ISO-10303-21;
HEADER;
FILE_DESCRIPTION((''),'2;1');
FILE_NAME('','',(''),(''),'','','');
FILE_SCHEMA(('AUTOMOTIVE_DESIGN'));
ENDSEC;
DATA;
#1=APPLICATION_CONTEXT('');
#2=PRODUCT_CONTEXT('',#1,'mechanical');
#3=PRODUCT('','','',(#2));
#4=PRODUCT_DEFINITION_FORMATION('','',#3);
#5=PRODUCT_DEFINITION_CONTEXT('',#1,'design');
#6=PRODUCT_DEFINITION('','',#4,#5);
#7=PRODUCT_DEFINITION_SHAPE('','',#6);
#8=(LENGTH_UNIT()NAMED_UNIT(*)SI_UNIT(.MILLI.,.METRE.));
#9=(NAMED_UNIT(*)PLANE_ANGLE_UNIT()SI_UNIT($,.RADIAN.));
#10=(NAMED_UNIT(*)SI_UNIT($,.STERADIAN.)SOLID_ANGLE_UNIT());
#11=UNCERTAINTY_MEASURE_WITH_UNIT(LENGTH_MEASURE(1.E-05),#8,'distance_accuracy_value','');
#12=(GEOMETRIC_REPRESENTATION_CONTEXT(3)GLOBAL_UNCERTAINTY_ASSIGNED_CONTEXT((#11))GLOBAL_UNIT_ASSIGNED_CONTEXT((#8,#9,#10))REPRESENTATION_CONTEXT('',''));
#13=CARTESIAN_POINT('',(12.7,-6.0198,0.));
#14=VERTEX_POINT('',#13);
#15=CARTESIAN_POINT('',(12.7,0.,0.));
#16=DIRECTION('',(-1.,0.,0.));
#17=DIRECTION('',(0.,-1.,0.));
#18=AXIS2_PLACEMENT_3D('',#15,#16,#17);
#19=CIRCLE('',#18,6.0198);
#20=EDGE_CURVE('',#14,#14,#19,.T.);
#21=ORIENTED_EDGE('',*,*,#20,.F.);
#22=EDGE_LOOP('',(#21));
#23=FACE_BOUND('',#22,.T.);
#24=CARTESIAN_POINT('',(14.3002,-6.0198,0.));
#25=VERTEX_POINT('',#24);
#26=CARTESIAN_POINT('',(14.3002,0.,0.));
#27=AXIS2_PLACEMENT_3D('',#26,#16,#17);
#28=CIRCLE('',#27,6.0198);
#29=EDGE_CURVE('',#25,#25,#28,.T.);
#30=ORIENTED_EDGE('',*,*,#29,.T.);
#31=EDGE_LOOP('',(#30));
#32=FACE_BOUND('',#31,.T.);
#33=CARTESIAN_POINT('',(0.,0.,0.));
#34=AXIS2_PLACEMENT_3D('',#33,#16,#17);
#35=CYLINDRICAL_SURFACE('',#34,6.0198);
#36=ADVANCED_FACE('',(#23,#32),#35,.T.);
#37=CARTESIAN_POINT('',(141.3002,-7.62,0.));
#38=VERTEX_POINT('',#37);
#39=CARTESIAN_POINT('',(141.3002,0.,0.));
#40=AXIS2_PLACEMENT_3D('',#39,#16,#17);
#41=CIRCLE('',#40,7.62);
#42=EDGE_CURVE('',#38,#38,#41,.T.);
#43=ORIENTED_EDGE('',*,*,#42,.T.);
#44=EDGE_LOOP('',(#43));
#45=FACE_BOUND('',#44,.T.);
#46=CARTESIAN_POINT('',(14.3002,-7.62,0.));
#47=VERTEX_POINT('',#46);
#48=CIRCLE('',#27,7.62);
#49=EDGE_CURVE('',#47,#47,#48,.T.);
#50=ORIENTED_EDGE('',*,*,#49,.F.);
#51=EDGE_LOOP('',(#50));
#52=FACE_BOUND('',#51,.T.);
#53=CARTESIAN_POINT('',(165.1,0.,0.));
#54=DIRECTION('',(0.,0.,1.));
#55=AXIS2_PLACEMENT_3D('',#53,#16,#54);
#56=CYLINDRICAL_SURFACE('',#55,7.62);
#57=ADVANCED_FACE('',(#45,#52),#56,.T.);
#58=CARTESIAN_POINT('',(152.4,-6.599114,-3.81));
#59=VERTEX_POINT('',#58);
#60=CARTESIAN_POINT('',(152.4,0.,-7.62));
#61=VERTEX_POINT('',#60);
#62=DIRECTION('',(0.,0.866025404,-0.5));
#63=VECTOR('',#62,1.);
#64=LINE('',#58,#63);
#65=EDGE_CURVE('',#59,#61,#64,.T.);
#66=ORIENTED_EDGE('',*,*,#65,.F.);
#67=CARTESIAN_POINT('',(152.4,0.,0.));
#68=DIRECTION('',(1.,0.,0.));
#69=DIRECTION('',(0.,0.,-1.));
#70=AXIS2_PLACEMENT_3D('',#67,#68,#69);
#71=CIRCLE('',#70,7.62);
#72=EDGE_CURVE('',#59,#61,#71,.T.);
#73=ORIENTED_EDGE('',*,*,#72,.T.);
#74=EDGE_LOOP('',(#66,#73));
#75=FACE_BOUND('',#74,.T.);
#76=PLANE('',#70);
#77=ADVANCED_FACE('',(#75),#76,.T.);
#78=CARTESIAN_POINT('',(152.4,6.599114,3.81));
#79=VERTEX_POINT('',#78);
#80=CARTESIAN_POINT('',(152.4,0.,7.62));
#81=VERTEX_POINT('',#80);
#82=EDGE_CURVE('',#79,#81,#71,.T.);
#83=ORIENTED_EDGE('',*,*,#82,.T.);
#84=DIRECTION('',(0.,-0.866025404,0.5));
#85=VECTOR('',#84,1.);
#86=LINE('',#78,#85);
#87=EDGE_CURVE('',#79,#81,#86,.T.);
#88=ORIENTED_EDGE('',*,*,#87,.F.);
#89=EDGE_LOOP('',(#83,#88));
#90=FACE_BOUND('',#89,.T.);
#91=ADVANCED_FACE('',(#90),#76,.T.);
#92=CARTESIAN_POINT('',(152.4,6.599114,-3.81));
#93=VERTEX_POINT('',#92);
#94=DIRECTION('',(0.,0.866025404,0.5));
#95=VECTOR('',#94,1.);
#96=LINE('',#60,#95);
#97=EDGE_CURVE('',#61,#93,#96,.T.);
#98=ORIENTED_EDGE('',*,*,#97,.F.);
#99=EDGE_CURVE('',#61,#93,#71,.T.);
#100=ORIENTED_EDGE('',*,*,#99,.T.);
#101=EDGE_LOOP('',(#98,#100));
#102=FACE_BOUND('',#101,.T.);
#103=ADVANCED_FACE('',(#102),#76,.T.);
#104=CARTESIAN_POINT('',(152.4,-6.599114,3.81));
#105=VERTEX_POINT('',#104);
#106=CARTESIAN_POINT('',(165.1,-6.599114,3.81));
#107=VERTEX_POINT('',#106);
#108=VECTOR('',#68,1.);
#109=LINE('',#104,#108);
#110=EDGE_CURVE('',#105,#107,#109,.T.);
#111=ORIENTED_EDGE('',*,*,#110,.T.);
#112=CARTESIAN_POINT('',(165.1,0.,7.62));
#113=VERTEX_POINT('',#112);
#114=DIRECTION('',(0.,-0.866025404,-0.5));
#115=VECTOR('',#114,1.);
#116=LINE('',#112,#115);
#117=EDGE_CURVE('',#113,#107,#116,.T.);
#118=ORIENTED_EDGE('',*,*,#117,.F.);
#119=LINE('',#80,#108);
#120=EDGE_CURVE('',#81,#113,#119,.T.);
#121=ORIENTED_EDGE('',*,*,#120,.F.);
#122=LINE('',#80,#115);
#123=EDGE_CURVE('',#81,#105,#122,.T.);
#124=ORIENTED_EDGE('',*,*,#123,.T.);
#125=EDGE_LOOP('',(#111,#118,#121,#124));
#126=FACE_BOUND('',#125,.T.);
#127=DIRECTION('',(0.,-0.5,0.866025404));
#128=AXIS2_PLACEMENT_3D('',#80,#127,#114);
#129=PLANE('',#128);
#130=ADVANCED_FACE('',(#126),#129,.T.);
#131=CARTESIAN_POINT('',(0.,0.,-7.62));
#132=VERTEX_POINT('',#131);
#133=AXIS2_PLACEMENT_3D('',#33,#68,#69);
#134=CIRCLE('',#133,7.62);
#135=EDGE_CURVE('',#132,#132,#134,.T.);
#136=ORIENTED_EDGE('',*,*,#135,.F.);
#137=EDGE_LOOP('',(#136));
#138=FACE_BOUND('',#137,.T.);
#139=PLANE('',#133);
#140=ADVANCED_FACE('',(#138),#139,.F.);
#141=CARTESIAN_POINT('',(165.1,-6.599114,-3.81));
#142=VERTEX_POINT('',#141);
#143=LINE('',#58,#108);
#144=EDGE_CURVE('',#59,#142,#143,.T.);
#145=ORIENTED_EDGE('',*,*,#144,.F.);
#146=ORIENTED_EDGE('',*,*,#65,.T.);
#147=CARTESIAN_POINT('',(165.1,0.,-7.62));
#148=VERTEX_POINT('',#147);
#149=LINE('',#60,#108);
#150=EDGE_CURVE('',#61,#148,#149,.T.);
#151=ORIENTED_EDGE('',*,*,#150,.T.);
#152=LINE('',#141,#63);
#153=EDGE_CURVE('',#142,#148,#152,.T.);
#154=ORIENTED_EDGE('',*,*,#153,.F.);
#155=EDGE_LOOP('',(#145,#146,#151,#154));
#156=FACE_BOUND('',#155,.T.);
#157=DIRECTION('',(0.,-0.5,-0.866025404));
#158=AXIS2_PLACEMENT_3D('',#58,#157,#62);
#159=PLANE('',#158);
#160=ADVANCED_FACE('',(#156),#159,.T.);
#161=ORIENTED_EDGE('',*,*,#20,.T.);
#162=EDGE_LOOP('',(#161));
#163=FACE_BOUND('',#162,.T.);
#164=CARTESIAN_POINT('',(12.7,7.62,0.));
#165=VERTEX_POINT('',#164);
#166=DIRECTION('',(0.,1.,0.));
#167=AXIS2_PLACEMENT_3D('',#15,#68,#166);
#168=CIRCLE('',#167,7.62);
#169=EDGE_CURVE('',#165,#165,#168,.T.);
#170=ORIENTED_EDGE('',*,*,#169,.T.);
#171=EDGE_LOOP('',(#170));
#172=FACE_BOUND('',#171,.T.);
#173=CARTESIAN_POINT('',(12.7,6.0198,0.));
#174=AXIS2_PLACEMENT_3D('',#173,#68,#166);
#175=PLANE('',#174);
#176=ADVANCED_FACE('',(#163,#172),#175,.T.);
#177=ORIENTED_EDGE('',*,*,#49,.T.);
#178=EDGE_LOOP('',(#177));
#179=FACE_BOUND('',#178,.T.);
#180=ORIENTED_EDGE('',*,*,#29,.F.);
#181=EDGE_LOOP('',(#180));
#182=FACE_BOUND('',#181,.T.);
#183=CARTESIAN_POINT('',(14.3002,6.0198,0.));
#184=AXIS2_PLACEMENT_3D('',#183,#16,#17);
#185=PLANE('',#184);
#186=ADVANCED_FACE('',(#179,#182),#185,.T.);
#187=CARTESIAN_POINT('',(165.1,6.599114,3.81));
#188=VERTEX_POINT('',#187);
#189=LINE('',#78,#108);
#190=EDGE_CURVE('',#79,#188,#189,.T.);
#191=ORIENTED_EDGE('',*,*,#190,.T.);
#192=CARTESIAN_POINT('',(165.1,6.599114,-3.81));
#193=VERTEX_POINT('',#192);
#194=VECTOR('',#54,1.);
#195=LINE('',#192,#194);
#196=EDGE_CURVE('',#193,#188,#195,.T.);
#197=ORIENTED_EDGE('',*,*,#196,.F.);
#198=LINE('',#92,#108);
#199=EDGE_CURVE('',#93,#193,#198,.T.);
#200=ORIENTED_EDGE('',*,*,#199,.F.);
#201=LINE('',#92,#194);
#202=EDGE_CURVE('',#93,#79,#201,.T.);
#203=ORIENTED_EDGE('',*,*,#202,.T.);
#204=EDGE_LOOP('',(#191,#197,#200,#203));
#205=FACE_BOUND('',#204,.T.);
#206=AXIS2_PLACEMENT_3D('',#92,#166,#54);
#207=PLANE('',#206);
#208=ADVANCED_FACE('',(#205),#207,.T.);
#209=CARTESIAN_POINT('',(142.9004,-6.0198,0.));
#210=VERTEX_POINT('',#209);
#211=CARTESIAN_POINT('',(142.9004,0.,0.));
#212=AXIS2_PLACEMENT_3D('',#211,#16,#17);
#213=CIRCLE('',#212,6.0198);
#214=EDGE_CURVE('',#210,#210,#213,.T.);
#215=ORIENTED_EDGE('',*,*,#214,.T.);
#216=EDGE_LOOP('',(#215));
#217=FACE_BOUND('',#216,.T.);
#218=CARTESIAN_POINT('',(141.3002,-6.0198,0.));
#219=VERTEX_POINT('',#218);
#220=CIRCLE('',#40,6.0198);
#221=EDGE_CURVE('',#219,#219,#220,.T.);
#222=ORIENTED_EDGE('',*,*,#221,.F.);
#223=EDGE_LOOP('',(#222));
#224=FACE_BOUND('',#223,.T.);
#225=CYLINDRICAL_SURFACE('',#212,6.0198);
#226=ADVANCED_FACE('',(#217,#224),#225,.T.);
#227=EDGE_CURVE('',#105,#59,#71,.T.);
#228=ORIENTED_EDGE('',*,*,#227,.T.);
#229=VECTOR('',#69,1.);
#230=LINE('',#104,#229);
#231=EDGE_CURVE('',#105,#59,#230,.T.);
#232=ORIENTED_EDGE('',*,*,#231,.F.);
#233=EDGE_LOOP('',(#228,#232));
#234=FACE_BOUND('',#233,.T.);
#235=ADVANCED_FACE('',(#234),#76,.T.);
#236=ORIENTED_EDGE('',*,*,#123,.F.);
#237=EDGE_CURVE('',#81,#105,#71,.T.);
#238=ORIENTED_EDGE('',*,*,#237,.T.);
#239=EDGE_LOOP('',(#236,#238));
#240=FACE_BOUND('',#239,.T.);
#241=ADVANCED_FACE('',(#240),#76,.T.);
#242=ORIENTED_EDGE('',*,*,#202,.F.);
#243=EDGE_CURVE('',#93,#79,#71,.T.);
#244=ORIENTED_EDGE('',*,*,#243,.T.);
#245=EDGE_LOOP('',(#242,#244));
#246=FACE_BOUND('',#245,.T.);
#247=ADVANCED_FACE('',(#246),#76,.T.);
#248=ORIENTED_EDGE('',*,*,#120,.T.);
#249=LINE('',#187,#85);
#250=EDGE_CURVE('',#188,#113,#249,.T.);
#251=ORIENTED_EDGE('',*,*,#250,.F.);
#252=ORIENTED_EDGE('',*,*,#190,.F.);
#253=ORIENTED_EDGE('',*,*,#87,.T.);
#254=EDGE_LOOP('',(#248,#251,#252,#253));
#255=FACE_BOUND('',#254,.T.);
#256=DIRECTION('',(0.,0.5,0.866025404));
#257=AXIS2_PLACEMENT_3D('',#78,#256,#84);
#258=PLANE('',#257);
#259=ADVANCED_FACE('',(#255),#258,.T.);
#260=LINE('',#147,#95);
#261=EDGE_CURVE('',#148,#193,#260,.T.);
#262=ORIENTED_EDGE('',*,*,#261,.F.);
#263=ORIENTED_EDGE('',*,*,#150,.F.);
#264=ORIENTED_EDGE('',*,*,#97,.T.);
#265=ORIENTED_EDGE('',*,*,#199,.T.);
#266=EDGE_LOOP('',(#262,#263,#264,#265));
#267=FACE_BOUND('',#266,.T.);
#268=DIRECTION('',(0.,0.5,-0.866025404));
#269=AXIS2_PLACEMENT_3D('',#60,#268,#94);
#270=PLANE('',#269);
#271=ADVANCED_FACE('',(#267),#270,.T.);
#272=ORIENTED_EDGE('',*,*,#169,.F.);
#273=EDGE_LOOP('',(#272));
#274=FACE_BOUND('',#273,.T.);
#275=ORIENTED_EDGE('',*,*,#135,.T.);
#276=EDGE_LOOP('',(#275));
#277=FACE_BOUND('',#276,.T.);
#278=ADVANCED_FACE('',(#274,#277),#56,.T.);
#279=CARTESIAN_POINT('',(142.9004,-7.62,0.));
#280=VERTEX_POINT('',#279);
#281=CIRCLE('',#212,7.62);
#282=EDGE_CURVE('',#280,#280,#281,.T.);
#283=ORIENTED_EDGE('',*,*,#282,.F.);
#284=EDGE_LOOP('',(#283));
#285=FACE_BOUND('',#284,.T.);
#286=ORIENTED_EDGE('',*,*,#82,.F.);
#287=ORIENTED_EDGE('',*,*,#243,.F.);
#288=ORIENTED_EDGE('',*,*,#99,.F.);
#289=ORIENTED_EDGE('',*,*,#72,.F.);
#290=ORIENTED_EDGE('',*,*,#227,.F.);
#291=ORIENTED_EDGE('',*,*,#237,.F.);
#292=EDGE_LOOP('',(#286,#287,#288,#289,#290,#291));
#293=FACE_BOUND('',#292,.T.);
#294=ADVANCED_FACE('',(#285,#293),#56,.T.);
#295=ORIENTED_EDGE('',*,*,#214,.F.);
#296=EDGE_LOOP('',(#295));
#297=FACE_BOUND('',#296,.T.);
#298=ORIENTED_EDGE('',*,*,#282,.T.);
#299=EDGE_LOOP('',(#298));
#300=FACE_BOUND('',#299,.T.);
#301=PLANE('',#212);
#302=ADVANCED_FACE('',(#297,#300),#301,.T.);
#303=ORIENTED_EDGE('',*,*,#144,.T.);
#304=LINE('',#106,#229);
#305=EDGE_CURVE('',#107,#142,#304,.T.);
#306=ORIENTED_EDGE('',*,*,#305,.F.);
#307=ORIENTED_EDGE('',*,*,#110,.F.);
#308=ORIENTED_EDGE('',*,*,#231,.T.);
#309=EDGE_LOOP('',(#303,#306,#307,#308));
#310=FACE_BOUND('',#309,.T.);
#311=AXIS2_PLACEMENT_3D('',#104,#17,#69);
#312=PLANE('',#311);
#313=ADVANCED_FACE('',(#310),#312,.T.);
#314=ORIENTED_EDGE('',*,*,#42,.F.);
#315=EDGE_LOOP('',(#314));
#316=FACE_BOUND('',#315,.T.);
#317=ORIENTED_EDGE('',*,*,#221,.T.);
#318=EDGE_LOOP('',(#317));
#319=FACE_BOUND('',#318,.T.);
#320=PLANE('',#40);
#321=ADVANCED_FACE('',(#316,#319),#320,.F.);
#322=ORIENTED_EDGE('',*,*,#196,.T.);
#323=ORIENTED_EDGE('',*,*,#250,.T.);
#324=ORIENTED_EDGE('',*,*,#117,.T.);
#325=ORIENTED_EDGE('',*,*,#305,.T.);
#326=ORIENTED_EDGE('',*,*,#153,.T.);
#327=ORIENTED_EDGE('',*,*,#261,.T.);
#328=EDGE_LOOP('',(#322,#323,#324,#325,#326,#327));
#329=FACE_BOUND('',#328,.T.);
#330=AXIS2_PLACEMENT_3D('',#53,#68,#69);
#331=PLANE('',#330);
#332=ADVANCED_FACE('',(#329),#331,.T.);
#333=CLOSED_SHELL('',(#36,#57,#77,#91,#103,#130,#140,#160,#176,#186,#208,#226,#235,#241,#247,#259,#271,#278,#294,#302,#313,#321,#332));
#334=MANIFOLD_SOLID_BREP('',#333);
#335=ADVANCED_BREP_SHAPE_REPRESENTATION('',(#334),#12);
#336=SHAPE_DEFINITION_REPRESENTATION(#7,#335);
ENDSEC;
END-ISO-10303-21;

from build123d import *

# Parameters (mm, degrees)
BASE_SKETCH_R              = 7.62
BASE_EXTRUDE_DEPTH         = 165.1
END_CUT_SKETCH_W           = 1.6002
END_CUT_SKETCH_H           = 3.2004
GROOVE_SKETCH_R            = 7.62
GROOVE_SKETCH_R_2          = 6.0198
OFFSET_GROOVE_DEPTH        = 1.6002
HEXAGONAL_SKETCH_OUTSIDE_W = 50.54
HEXAGONAL_SKETCH_OUTSIDE_H = 50.54
HEXGONAL_CUT_DEPTH         = 12.7


with BuildPart() as part:
    # Base Sketch → Base Extrude (new body)
    with BuildSketch(Plane(origin=(0, 0, 0), x_dir=(0, 0, -1), z_dir=(1, 0, 0))):
        Circle(BASE_SKETCH_R)
    extrude(amount=BASE_EXTRUDE_DEPTH)

    # End Cut Sketch → End Cut Revolve (revolve, cut)
    with BuildSketch(Plane.XY, mode=Mode.PRIVATE) as end_cut_revolve_sk:
        with Locations((13.5001, 7.62)):
            Rectangle(END_CUT_SKETCH_W, END_CUT_SKETCH_H)
    revolve(end_cut_revolve_sk.sketch.rotate(Axis((0, 0, 0), (1, 0, 0)), 180), axis=Axis((0, 0, 0), (1, 0, 0)), mode=Mode.SUBTRACT)

    # Groove Sketch → Offset Groove (cut)
    with BuildSketch(Plane.ZY.offset(-141.3002)):
        with Locations(Location((0, 0, 0), (0, 0, 90))):
            Circle(GROOVE_SKETCH_R)
        with Locations(Location((0, 0, 0), (0, 0, 270))):
            Circle(GROOVE_SKETCH_R_2, mode=Mode.SUBTRACT)
    extrude(amount=-OFFSET_GROOVE_DEPTH, mode=Mode.SUBTRACT)

    # Hexagonal Sketch outside → Hexgonal Cut (cut)
    with BuildSketch(Plane(origin=(165.1, 0, 0), x_dir=(0, 0, -1), z_dir=(1, 0, 0))):
        Rectangle(HEXAGONAL_SKETCH_OUTSIDE_W, HEXAGONAL_SKETCH_OUTSIDE_H)
        Polygon((-3.81, 6.599113577), (-7.62, 0), (-3.81, -6.599113577), (3.81, -6.599113577), (7.62, 0), (3.81, 6.599113577), align=None, mode=Mode.SUBTRACT)
    extrude(amount=-HEXGONAL_CUT_DEPTH, mode=Mode.SUBTRACT)


solid = part.part
